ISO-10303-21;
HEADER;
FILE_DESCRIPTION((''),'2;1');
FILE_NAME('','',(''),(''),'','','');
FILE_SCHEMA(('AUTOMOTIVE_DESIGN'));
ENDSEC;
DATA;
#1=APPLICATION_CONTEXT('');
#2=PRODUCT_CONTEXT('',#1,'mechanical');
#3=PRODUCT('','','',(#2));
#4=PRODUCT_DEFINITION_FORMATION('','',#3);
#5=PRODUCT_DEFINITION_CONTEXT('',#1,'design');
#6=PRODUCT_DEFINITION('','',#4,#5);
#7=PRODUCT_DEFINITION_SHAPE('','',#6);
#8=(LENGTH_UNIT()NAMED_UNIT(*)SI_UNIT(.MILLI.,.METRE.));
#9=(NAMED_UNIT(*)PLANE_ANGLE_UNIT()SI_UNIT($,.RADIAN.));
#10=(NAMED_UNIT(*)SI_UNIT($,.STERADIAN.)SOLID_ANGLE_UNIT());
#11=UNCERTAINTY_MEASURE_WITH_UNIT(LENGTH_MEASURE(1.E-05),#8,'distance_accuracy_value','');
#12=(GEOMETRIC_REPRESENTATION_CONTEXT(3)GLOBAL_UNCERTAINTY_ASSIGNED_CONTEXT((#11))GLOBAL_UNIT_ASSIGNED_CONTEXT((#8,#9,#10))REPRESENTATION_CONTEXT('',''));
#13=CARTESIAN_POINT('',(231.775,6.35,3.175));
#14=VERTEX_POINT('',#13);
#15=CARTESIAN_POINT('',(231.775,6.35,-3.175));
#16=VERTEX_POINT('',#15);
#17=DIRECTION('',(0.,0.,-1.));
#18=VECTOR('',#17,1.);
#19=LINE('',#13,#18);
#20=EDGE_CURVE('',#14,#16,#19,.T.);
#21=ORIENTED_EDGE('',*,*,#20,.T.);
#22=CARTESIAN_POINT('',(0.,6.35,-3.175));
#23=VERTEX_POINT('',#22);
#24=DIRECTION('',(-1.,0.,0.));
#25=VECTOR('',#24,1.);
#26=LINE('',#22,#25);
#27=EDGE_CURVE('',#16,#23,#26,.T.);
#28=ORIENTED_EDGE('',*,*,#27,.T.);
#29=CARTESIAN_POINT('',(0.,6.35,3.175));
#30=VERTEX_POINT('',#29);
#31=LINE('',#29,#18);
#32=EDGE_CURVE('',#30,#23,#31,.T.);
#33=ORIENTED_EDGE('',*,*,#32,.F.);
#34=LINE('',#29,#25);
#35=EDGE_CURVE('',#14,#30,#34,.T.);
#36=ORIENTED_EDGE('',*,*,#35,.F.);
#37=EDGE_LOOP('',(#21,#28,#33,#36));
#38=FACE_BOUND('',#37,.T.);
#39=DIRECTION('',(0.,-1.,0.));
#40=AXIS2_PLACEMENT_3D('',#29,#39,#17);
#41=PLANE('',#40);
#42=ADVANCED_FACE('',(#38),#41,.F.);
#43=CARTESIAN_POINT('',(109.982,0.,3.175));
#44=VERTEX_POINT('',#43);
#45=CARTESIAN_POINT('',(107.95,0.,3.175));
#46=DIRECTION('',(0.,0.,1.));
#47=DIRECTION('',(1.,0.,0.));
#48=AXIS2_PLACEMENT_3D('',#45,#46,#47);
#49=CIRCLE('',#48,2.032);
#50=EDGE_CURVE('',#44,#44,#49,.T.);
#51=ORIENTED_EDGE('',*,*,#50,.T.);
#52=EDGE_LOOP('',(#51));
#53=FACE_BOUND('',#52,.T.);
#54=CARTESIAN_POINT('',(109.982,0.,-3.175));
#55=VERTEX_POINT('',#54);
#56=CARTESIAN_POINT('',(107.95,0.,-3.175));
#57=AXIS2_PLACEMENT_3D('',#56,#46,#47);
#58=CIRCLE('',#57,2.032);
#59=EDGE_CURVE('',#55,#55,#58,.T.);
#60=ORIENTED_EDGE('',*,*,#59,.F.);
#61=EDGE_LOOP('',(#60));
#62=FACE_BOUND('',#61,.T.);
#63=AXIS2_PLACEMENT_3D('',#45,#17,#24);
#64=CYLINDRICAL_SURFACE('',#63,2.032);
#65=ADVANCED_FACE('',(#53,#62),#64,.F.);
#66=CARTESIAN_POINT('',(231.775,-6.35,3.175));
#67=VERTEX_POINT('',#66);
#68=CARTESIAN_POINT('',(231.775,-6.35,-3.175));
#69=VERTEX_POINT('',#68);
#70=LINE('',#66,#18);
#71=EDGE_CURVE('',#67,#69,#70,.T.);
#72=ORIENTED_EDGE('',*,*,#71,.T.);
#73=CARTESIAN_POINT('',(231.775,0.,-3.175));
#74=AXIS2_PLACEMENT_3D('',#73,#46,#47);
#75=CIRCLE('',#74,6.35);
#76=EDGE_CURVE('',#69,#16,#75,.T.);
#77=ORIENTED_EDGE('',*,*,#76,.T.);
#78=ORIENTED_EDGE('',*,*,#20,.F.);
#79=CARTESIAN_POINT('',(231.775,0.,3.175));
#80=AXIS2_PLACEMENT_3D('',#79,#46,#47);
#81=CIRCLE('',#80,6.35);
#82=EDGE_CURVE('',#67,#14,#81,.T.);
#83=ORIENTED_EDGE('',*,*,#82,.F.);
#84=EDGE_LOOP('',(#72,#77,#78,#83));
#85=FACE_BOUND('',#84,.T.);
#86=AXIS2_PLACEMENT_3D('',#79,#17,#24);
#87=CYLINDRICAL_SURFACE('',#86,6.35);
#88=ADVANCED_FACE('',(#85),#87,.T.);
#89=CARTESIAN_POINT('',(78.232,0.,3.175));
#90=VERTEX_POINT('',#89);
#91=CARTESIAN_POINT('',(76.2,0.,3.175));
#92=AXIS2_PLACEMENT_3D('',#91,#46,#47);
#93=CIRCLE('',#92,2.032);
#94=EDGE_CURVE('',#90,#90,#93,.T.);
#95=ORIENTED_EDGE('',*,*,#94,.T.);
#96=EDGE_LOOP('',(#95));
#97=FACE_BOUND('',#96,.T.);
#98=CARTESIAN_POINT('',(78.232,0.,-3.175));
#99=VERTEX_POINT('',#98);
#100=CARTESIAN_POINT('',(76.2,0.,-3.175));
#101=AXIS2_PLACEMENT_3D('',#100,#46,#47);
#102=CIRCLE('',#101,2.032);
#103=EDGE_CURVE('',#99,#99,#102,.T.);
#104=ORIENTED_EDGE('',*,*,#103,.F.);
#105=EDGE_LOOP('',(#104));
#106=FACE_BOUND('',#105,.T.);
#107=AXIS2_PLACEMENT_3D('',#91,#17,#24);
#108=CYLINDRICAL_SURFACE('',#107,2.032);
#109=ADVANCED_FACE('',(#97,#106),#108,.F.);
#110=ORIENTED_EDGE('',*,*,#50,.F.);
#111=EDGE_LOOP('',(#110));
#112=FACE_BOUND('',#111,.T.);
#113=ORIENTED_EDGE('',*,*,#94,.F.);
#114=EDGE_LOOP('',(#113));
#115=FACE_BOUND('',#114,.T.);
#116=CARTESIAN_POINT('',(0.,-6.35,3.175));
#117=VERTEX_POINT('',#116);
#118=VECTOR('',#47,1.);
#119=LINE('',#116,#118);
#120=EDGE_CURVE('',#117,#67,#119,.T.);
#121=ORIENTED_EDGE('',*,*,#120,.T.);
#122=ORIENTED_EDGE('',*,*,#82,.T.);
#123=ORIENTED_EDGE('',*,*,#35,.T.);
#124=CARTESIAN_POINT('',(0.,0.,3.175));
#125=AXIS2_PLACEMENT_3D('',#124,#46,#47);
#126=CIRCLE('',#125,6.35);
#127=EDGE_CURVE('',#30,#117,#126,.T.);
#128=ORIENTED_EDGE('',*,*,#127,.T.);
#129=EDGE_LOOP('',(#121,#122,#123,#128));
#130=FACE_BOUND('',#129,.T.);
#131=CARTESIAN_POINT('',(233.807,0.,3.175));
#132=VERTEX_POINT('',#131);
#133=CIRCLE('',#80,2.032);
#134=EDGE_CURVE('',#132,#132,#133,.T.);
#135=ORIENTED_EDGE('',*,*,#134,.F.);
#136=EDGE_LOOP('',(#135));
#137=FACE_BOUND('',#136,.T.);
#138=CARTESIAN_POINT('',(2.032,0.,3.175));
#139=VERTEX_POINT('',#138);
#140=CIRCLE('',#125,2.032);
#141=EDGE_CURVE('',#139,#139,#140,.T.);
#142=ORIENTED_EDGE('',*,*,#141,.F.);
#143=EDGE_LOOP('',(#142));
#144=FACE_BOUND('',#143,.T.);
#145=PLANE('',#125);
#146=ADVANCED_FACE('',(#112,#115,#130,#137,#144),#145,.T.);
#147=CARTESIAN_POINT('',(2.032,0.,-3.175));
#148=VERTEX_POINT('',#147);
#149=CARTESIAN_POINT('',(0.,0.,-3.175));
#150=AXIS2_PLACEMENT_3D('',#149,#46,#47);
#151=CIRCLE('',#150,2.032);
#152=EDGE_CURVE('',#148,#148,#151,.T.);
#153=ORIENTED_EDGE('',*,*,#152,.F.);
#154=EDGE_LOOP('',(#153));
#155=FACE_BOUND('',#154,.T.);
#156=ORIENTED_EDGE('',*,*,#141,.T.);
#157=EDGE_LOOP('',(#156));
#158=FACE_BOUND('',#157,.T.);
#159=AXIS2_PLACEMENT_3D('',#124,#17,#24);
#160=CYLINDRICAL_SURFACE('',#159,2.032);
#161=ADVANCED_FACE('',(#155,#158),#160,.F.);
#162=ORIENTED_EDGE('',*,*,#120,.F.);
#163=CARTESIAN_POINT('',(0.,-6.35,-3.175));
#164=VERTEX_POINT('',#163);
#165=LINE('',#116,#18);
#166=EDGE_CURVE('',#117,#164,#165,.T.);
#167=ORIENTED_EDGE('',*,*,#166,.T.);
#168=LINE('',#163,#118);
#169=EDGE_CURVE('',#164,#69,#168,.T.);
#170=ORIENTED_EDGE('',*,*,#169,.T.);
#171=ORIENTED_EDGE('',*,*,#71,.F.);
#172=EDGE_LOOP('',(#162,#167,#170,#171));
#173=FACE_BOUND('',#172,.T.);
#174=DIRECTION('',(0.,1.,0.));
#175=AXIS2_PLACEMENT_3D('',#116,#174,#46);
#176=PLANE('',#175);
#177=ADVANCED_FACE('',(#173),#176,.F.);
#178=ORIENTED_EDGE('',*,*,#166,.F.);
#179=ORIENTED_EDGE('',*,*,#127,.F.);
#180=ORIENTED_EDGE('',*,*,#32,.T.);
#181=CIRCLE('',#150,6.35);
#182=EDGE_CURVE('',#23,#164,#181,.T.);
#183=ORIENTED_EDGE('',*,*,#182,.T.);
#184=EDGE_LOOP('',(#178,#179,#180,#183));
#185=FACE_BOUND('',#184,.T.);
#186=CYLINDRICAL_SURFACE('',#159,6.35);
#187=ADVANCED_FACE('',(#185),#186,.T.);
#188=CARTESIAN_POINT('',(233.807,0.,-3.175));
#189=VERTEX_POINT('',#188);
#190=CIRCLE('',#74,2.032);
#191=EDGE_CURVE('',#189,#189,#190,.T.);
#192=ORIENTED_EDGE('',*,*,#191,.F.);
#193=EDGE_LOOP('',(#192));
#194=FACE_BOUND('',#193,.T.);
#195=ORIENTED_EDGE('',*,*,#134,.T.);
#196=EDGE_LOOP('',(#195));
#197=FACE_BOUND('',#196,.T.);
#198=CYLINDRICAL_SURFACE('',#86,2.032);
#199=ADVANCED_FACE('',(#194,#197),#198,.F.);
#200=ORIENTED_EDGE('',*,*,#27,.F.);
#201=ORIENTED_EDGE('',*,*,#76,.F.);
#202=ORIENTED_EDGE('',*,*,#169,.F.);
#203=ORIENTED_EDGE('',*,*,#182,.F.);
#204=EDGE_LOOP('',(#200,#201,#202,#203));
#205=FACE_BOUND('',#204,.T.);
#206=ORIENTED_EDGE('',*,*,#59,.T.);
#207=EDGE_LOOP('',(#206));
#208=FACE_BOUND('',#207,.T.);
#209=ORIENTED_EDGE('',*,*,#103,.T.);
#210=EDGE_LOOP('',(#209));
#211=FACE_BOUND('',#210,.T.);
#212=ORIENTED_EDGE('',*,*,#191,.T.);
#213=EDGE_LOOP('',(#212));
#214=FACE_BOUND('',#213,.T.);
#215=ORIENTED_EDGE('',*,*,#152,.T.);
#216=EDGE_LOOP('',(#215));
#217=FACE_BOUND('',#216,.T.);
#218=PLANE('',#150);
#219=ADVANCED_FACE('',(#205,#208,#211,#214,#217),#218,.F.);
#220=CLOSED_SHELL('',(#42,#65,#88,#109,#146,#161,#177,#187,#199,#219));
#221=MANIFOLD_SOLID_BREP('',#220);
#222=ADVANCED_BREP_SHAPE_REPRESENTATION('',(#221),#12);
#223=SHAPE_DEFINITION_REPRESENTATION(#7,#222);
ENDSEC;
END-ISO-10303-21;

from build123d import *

# Parameters (mm, degrees)
SKETCH2_R           = 2.032
BOSS_EXTRUDE1_DEPTH = 3.175


with BuildPart() as part:
    # Sketch2 → Boss-Extrude1 (new, symmetric)
    with BuildSketch(Plane.XY):
        with BuildLine():
            Line((0, 6.35), (231.775, 6.35))
            ThreePointArc((231.775, 6.35), (238.125, 0), (231.775, -6.35))
            Line((231.775, -6.35), (0, -6.35))
            ThreePointArc((0, -6.35), (-6.35, 0), (0, 6.35))
        make_face()
        Circle(SKETCH2_R, mode=Mode.SUBTRACT)
        with Locations((231.775, 0)):
            Circle(SKETCH2_R, mode=Mode.SUBTRACT)
        with Locations((76.2, 0)):
            Circle(SKETCH2_R, mode=Mode.SUBTRACT)
        with Locations((107.95, 0)):
            Circle(SKETCH2_R, mode=Mode.SUBTRACT)
    extrude(amount=BOSS_EXTRUDE1_DEPTH, both=True)


solid = part.part
